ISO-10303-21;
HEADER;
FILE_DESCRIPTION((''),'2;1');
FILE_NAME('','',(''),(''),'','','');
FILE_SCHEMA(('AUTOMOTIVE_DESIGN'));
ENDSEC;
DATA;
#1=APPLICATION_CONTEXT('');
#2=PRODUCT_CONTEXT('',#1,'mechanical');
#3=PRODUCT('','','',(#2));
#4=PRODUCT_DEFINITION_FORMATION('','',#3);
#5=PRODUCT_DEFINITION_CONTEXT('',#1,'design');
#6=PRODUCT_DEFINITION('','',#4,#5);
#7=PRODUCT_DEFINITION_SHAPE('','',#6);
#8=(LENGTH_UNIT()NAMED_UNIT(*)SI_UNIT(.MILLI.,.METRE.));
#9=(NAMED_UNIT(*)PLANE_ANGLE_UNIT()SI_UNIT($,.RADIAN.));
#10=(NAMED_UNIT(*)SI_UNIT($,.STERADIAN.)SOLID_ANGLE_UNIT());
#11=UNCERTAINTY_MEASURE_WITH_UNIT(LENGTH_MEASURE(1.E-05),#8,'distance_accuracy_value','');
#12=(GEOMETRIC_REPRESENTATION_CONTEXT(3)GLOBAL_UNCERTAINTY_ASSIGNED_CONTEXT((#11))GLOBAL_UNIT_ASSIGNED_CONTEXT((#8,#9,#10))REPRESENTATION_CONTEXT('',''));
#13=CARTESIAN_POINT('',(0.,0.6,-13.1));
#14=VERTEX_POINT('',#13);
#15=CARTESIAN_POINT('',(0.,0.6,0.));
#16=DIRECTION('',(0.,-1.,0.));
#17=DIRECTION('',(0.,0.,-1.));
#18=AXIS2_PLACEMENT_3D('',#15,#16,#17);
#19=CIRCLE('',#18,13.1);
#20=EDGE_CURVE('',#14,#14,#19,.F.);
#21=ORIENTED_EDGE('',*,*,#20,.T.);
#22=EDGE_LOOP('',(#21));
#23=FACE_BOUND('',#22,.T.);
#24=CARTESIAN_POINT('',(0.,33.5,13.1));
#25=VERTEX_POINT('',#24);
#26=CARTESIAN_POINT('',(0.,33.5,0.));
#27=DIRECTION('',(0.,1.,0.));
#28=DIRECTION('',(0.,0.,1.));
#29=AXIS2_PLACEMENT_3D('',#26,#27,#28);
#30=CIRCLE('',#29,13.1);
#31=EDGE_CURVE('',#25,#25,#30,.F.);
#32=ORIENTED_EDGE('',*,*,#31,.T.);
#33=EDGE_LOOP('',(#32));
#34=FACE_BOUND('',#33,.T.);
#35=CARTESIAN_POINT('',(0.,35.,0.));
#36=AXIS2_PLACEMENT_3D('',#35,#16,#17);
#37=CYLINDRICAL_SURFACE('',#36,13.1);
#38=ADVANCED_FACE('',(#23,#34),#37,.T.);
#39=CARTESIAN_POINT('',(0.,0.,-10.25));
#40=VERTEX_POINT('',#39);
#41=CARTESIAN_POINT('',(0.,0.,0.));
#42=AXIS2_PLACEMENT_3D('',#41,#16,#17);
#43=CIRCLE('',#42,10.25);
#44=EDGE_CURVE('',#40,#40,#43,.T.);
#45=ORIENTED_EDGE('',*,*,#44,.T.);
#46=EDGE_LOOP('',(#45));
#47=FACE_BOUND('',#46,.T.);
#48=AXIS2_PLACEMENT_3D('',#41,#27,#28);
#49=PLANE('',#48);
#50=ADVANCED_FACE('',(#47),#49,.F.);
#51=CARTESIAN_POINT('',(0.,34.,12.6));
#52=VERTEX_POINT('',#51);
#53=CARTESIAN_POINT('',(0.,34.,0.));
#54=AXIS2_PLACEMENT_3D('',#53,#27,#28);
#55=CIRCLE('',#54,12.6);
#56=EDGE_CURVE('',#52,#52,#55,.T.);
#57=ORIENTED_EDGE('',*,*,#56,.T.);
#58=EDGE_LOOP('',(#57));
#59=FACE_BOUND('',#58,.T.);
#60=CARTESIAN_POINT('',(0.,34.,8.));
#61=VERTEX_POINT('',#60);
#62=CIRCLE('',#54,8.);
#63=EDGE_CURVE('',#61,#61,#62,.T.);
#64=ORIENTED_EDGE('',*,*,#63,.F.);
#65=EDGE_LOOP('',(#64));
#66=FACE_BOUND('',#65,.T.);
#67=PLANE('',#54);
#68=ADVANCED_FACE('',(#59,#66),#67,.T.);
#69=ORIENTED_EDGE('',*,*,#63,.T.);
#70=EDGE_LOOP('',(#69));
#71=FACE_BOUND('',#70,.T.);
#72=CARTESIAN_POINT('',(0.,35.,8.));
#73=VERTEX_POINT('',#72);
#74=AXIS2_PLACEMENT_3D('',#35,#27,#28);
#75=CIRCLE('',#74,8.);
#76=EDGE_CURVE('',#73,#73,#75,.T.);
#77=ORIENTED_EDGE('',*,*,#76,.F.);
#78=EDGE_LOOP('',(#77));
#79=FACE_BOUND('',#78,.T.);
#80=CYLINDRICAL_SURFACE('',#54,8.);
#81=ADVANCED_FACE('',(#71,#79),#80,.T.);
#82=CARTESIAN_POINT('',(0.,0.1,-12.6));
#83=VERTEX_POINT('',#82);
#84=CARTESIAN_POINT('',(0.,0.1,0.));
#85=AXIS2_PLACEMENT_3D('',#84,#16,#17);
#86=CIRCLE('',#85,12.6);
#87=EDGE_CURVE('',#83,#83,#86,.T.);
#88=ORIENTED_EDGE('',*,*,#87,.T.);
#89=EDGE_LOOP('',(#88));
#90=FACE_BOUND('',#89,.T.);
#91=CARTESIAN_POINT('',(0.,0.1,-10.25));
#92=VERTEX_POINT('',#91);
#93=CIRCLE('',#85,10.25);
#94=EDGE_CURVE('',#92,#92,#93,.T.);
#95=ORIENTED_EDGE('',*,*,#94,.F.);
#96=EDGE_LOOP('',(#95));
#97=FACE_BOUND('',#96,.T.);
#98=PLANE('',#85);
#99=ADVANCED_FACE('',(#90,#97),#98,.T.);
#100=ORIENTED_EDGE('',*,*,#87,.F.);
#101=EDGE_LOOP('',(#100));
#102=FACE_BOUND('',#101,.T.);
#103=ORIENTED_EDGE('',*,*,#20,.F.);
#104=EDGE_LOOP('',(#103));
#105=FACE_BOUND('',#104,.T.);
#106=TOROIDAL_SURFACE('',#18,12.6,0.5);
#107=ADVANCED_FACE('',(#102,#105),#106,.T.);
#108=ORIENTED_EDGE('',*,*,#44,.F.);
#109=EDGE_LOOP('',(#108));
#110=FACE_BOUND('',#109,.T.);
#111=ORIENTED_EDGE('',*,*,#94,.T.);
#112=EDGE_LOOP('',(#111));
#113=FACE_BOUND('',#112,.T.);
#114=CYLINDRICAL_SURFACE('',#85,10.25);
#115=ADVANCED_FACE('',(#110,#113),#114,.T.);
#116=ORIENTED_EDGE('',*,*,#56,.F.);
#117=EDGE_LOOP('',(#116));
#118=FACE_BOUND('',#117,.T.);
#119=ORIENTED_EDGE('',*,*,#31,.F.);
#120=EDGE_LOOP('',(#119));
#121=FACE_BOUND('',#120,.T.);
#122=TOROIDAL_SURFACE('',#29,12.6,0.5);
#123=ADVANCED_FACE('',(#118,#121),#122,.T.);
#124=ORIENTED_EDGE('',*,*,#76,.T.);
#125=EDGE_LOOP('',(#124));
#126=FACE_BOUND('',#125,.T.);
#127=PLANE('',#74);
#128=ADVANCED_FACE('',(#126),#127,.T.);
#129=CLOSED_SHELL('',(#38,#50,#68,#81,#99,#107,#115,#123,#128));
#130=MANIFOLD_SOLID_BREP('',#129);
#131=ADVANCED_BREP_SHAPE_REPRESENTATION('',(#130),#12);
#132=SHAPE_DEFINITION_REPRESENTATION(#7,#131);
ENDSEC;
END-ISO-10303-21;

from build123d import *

# Parameters (mm, degrees)
SKETCH_1_R          = 13.1
EXTRUDE_1_DEPTH     = 35
SKETCH_2_R          = 19.270653491
SKETCH_2_R_2        = 8
CUT_EXTRUDE_1_DEPTH = 1
SKETCH_3_R          = 17.55104744
SKETCH_3_R_2        = 10.25
CUT_EXTRUDE_2_DEPTH = 0.1
FILLET_1_R          = 0.5


with BuildPart() as part:
    # Эскиз1 → Бобышка-Вытянуть1 (new body)
    with BuildSketch(Plane(origin=(0, 0, 0), x_dir=(1, 0, 0), z_dir=(0, 1, 0))):
        with Locations(Location((0, 0, 0), (0, 0, 270))):
            Circle(SKETCH_1_R)
    extrude(amount=EXTRUDE_1_DEPTH)

    # Эскиз2 → Вырез-Вытянуть1 (cut)
    with BuildSketch(Plane(origin=(0, 35, 0), x_dir=(1, 0, 0), z_dir=(0, 1, 0))):
        Circle(SKETCH_2_R)
        with Locations(Location((0, 0, 0), (0, 0, 270))):
            Circle(SKETCH_2_R_2, mode=Mode.SUBTRACT)
    extrude(amount=-CUT_EXTRUDE_1_DEPTH, mode=Mode.SUBTRACT)

    # Эскиз3 → Вырез-Вытянуть2 (cut)
    with BuildSketch(Plane.XZ):
        Circle(SKETCH_3_R)
        with Locations(Location((0, 0, 0), (0, 0, 270))):
            Circle(SKETCH_3_R_2, mode=Mode.SUBTRACT)
    extrude(amount=-CUT_EXTRUDE_2_DEPTH, mode=Mode.SUBTRACT)

    # Скругление1
    fillet_1_edges = [part.edges().sort_by_distance(p)[0] for p in [
        (0, 0.1, -13.1),
        (0, 34, -13.1),
    ]]
    fillet(fillet_1_edges, radius=FILLET_1_R)


solid = part.part
